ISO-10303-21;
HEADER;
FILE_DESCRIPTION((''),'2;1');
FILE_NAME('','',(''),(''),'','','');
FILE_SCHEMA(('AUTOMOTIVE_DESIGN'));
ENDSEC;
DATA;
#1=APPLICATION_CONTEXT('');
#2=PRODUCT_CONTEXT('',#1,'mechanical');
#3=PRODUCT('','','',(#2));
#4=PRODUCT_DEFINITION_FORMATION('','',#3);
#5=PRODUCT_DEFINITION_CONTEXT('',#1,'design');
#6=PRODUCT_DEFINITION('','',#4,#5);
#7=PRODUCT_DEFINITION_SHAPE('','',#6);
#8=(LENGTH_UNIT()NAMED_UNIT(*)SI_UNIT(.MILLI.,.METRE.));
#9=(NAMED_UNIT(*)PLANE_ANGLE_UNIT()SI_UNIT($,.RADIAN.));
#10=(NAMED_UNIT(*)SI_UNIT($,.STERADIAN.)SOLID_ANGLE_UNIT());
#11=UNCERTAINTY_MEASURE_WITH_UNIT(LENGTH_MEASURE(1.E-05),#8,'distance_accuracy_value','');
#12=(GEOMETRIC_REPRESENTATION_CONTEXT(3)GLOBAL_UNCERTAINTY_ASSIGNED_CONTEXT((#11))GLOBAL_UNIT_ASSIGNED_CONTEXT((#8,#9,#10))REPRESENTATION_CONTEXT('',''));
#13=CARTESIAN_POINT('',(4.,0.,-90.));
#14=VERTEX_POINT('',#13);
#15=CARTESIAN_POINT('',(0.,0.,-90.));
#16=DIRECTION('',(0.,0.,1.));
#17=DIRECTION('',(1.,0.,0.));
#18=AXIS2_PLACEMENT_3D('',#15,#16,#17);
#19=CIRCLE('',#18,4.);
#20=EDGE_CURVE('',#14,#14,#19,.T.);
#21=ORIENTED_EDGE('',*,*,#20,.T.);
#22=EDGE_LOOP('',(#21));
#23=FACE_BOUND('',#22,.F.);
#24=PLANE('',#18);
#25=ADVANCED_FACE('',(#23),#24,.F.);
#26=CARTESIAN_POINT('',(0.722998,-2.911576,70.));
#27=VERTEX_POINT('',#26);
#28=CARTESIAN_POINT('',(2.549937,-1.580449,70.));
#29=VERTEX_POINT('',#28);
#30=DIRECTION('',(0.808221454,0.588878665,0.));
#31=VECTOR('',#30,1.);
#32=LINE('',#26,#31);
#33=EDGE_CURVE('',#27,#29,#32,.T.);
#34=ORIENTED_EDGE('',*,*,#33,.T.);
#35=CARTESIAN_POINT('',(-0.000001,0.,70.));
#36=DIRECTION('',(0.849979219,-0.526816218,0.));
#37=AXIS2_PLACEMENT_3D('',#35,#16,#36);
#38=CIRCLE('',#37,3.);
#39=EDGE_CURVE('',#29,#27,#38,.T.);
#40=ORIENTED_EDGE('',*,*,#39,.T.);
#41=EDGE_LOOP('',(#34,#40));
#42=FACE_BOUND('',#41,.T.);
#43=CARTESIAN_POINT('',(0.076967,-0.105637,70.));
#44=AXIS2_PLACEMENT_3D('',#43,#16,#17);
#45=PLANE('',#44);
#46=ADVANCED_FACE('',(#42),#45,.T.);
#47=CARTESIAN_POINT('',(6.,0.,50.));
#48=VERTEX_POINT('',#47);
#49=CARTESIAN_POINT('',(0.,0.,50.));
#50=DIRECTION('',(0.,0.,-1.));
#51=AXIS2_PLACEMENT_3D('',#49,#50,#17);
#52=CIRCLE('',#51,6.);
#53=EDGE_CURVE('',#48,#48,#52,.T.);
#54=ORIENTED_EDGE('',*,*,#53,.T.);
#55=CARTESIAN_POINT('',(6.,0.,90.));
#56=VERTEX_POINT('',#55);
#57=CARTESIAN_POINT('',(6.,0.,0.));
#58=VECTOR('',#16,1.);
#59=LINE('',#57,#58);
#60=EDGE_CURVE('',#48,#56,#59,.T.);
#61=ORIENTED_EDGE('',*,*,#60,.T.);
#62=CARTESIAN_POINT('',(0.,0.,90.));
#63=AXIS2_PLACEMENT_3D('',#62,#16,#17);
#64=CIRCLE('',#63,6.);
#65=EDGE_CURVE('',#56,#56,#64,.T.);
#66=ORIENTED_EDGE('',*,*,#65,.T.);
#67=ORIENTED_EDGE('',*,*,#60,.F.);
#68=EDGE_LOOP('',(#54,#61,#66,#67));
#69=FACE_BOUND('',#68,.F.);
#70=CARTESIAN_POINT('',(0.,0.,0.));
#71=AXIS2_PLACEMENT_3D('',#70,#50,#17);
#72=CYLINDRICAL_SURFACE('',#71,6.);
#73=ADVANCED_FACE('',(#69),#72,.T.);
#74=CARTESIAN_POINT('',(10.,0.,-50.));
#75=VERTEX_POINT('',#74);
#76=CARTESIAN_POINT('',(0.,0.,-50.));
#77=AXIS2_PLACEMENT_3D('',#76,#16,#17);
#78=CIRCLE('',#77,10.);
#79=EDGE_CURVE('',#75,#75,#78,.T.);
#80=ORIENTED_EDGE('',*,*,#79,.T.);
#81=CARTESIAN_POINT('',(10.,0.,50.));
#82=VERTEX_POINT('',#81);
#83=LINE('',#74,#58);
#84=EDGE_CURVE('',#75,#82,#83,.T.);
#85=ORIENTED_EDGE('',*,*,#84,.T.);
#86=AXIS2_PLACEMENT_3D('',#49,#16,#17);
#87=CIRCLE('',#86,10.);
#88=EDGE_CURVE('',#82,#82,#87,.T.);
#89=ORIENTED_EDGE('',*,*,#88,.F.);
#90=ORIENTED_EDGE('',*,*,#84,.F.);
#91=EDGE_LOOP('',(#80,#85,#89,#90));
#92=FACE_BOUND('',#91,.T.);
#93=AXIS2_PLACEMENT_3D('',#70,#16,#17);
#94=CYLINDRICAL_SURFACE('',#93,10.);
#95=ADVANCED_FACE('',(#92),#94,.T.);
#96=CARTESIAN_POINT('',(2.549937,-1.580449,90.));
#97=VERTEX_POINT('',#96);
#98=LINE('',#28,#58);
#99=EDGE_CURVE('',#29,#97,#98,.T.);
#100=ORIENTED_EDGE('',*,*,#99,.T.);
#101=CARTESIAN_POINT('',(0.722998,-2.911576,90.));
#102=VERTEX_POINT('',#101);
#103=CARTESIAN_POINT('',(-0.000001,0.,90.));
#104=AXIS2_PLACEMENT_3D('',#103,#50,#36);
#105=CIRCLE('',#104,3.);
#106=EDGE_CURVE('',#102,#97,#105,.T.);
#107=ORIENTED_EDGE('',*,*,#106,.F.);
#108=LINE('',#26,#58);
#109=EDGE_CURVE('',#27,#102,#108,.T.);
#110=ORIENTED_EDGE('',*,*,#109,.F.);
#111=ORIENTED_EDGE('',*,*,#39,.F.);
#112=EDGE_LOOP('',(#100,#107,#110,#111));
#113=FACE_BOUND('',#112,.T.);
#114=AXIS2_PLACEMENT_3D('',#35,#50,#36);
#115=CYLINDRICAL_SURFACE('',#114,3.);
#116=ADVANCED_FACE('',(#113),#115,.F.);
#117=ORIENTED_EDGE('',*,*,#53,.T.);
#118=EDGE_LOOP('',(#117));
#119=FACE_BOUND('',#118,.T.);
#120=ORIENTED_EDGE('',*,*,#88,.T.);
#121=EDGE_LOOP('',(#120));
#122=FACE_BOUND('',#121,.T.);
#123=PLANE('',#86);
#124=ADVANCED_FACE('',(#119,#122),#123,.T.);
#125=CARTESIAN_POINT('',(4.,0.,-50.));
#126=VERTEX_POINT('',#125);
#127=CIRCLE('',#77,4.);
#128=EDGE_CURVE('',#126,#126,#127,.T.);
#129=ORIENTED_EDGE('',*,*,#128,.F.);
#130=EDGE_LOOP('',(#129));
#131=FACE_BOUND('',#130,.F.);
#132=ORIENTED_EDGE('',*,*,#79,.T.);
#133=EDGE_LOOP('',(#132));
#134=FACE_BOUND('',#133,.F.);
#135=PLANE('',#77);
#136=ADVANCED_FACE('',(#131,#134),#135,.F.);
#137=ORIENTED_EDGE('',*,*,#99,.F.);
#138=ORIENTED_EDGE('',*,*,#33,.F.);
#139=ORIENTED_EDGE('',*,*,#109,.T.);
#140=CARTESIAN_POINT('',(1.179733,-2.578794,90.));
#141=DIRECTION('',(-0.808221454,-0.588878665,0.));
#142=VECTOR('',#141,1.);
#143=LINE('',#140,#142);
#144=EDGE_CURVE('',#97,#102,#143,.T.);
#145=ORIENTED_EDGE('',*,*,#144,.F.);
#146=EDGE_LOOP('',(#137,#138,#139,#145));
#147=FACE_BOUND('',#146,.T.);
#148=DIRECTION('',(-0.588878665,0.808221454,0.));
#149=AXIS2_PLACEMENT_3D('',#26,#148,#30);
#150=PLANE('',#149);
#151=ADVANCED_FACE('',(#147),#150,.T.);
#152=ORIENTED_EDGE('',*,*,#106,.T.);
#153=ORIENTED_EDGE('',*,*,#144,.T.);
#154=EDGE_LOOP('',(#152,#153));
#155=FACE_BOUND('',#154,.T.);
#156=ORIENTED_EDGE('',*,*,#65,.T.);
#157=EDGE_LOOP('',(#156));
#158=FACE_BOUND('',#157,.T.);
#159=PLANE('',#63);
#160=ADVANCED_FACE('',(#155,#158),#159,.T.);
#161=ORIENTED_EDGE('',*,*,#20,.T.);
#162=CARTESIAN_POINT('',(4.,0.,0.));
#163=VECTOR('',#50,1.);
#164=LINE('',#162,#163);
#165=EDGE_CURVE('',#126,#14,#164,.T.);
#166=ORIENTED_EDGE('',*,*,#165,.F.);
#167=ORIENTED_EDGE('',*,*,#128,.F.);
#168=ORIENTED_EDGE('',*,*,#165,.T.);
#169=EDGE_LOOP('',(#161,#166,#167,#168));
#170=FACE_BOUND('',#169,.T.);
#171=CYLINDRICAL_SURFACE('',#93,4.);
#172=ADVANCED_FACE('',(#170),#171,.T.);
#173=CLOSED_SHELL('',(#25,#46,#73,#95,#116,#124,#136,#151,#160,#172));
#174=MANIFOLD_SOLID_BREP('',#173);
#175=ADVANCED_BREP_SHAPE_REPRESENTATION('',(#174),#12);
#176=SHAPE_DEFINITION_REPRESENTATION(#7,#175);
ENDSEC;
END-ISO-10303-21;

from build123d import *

# Parameters (mm, degrees)
SKETCH_R          = 10
PAD_DEPTH         = 50
PAD_DEPTH_BACK    = 50
SKETCH001_R       = 6
PAD001_DEPTH      = 90
POCKET_DEPTH      = 80
SKETCH003_R       = 4
PAD002_DEPTH      = 1
PAD002_DEPTH_BACK = 90


with BuildPart() as part:
    # Sketch → Pad (new body, two sides)
    with BuildSketch(Plane.XY) as pad_sk:
        Circle(SKETCH_R)
    extrude(amount=PAD_DEPTH)
    extrude(pad_sk.sketch, amount=-PAD_DEPTH_BACK)

    # Sketch001 → Pad001 (join)
    with BuildSketch(Plane.XY):
        Circle(SKETCH001_R)
    extrude(amount=PAD001_DEPTH)

    # Sketch002 (on Face7 of Pad001) → Pocket (cut)
    with BuildSketch(Plane.XY.offset(70)):
        with BuildLine():
            ThreePointArc((2.549937, -1.580449), (-1.766635, 2.424665), (0.722998, -2.911576))
            Line((0.722998, -2.911576), (2.549937, -1.580449))
        make_face()
    extrude(amount=POCKET_DEPTH, mode=Mode.SUBTRACT)

    # Sketch003 → Pad002 (join, two sides)
    with BuildSketch(Plane.XY) as pad002_sk:
        Circle(SKETCH003_R)
    extrude(amount=PAD002_DEPTH)
    extrude(pad002_sk.sketch, amount=-PAD002_DEPTH_BACK)


solid = part.part
